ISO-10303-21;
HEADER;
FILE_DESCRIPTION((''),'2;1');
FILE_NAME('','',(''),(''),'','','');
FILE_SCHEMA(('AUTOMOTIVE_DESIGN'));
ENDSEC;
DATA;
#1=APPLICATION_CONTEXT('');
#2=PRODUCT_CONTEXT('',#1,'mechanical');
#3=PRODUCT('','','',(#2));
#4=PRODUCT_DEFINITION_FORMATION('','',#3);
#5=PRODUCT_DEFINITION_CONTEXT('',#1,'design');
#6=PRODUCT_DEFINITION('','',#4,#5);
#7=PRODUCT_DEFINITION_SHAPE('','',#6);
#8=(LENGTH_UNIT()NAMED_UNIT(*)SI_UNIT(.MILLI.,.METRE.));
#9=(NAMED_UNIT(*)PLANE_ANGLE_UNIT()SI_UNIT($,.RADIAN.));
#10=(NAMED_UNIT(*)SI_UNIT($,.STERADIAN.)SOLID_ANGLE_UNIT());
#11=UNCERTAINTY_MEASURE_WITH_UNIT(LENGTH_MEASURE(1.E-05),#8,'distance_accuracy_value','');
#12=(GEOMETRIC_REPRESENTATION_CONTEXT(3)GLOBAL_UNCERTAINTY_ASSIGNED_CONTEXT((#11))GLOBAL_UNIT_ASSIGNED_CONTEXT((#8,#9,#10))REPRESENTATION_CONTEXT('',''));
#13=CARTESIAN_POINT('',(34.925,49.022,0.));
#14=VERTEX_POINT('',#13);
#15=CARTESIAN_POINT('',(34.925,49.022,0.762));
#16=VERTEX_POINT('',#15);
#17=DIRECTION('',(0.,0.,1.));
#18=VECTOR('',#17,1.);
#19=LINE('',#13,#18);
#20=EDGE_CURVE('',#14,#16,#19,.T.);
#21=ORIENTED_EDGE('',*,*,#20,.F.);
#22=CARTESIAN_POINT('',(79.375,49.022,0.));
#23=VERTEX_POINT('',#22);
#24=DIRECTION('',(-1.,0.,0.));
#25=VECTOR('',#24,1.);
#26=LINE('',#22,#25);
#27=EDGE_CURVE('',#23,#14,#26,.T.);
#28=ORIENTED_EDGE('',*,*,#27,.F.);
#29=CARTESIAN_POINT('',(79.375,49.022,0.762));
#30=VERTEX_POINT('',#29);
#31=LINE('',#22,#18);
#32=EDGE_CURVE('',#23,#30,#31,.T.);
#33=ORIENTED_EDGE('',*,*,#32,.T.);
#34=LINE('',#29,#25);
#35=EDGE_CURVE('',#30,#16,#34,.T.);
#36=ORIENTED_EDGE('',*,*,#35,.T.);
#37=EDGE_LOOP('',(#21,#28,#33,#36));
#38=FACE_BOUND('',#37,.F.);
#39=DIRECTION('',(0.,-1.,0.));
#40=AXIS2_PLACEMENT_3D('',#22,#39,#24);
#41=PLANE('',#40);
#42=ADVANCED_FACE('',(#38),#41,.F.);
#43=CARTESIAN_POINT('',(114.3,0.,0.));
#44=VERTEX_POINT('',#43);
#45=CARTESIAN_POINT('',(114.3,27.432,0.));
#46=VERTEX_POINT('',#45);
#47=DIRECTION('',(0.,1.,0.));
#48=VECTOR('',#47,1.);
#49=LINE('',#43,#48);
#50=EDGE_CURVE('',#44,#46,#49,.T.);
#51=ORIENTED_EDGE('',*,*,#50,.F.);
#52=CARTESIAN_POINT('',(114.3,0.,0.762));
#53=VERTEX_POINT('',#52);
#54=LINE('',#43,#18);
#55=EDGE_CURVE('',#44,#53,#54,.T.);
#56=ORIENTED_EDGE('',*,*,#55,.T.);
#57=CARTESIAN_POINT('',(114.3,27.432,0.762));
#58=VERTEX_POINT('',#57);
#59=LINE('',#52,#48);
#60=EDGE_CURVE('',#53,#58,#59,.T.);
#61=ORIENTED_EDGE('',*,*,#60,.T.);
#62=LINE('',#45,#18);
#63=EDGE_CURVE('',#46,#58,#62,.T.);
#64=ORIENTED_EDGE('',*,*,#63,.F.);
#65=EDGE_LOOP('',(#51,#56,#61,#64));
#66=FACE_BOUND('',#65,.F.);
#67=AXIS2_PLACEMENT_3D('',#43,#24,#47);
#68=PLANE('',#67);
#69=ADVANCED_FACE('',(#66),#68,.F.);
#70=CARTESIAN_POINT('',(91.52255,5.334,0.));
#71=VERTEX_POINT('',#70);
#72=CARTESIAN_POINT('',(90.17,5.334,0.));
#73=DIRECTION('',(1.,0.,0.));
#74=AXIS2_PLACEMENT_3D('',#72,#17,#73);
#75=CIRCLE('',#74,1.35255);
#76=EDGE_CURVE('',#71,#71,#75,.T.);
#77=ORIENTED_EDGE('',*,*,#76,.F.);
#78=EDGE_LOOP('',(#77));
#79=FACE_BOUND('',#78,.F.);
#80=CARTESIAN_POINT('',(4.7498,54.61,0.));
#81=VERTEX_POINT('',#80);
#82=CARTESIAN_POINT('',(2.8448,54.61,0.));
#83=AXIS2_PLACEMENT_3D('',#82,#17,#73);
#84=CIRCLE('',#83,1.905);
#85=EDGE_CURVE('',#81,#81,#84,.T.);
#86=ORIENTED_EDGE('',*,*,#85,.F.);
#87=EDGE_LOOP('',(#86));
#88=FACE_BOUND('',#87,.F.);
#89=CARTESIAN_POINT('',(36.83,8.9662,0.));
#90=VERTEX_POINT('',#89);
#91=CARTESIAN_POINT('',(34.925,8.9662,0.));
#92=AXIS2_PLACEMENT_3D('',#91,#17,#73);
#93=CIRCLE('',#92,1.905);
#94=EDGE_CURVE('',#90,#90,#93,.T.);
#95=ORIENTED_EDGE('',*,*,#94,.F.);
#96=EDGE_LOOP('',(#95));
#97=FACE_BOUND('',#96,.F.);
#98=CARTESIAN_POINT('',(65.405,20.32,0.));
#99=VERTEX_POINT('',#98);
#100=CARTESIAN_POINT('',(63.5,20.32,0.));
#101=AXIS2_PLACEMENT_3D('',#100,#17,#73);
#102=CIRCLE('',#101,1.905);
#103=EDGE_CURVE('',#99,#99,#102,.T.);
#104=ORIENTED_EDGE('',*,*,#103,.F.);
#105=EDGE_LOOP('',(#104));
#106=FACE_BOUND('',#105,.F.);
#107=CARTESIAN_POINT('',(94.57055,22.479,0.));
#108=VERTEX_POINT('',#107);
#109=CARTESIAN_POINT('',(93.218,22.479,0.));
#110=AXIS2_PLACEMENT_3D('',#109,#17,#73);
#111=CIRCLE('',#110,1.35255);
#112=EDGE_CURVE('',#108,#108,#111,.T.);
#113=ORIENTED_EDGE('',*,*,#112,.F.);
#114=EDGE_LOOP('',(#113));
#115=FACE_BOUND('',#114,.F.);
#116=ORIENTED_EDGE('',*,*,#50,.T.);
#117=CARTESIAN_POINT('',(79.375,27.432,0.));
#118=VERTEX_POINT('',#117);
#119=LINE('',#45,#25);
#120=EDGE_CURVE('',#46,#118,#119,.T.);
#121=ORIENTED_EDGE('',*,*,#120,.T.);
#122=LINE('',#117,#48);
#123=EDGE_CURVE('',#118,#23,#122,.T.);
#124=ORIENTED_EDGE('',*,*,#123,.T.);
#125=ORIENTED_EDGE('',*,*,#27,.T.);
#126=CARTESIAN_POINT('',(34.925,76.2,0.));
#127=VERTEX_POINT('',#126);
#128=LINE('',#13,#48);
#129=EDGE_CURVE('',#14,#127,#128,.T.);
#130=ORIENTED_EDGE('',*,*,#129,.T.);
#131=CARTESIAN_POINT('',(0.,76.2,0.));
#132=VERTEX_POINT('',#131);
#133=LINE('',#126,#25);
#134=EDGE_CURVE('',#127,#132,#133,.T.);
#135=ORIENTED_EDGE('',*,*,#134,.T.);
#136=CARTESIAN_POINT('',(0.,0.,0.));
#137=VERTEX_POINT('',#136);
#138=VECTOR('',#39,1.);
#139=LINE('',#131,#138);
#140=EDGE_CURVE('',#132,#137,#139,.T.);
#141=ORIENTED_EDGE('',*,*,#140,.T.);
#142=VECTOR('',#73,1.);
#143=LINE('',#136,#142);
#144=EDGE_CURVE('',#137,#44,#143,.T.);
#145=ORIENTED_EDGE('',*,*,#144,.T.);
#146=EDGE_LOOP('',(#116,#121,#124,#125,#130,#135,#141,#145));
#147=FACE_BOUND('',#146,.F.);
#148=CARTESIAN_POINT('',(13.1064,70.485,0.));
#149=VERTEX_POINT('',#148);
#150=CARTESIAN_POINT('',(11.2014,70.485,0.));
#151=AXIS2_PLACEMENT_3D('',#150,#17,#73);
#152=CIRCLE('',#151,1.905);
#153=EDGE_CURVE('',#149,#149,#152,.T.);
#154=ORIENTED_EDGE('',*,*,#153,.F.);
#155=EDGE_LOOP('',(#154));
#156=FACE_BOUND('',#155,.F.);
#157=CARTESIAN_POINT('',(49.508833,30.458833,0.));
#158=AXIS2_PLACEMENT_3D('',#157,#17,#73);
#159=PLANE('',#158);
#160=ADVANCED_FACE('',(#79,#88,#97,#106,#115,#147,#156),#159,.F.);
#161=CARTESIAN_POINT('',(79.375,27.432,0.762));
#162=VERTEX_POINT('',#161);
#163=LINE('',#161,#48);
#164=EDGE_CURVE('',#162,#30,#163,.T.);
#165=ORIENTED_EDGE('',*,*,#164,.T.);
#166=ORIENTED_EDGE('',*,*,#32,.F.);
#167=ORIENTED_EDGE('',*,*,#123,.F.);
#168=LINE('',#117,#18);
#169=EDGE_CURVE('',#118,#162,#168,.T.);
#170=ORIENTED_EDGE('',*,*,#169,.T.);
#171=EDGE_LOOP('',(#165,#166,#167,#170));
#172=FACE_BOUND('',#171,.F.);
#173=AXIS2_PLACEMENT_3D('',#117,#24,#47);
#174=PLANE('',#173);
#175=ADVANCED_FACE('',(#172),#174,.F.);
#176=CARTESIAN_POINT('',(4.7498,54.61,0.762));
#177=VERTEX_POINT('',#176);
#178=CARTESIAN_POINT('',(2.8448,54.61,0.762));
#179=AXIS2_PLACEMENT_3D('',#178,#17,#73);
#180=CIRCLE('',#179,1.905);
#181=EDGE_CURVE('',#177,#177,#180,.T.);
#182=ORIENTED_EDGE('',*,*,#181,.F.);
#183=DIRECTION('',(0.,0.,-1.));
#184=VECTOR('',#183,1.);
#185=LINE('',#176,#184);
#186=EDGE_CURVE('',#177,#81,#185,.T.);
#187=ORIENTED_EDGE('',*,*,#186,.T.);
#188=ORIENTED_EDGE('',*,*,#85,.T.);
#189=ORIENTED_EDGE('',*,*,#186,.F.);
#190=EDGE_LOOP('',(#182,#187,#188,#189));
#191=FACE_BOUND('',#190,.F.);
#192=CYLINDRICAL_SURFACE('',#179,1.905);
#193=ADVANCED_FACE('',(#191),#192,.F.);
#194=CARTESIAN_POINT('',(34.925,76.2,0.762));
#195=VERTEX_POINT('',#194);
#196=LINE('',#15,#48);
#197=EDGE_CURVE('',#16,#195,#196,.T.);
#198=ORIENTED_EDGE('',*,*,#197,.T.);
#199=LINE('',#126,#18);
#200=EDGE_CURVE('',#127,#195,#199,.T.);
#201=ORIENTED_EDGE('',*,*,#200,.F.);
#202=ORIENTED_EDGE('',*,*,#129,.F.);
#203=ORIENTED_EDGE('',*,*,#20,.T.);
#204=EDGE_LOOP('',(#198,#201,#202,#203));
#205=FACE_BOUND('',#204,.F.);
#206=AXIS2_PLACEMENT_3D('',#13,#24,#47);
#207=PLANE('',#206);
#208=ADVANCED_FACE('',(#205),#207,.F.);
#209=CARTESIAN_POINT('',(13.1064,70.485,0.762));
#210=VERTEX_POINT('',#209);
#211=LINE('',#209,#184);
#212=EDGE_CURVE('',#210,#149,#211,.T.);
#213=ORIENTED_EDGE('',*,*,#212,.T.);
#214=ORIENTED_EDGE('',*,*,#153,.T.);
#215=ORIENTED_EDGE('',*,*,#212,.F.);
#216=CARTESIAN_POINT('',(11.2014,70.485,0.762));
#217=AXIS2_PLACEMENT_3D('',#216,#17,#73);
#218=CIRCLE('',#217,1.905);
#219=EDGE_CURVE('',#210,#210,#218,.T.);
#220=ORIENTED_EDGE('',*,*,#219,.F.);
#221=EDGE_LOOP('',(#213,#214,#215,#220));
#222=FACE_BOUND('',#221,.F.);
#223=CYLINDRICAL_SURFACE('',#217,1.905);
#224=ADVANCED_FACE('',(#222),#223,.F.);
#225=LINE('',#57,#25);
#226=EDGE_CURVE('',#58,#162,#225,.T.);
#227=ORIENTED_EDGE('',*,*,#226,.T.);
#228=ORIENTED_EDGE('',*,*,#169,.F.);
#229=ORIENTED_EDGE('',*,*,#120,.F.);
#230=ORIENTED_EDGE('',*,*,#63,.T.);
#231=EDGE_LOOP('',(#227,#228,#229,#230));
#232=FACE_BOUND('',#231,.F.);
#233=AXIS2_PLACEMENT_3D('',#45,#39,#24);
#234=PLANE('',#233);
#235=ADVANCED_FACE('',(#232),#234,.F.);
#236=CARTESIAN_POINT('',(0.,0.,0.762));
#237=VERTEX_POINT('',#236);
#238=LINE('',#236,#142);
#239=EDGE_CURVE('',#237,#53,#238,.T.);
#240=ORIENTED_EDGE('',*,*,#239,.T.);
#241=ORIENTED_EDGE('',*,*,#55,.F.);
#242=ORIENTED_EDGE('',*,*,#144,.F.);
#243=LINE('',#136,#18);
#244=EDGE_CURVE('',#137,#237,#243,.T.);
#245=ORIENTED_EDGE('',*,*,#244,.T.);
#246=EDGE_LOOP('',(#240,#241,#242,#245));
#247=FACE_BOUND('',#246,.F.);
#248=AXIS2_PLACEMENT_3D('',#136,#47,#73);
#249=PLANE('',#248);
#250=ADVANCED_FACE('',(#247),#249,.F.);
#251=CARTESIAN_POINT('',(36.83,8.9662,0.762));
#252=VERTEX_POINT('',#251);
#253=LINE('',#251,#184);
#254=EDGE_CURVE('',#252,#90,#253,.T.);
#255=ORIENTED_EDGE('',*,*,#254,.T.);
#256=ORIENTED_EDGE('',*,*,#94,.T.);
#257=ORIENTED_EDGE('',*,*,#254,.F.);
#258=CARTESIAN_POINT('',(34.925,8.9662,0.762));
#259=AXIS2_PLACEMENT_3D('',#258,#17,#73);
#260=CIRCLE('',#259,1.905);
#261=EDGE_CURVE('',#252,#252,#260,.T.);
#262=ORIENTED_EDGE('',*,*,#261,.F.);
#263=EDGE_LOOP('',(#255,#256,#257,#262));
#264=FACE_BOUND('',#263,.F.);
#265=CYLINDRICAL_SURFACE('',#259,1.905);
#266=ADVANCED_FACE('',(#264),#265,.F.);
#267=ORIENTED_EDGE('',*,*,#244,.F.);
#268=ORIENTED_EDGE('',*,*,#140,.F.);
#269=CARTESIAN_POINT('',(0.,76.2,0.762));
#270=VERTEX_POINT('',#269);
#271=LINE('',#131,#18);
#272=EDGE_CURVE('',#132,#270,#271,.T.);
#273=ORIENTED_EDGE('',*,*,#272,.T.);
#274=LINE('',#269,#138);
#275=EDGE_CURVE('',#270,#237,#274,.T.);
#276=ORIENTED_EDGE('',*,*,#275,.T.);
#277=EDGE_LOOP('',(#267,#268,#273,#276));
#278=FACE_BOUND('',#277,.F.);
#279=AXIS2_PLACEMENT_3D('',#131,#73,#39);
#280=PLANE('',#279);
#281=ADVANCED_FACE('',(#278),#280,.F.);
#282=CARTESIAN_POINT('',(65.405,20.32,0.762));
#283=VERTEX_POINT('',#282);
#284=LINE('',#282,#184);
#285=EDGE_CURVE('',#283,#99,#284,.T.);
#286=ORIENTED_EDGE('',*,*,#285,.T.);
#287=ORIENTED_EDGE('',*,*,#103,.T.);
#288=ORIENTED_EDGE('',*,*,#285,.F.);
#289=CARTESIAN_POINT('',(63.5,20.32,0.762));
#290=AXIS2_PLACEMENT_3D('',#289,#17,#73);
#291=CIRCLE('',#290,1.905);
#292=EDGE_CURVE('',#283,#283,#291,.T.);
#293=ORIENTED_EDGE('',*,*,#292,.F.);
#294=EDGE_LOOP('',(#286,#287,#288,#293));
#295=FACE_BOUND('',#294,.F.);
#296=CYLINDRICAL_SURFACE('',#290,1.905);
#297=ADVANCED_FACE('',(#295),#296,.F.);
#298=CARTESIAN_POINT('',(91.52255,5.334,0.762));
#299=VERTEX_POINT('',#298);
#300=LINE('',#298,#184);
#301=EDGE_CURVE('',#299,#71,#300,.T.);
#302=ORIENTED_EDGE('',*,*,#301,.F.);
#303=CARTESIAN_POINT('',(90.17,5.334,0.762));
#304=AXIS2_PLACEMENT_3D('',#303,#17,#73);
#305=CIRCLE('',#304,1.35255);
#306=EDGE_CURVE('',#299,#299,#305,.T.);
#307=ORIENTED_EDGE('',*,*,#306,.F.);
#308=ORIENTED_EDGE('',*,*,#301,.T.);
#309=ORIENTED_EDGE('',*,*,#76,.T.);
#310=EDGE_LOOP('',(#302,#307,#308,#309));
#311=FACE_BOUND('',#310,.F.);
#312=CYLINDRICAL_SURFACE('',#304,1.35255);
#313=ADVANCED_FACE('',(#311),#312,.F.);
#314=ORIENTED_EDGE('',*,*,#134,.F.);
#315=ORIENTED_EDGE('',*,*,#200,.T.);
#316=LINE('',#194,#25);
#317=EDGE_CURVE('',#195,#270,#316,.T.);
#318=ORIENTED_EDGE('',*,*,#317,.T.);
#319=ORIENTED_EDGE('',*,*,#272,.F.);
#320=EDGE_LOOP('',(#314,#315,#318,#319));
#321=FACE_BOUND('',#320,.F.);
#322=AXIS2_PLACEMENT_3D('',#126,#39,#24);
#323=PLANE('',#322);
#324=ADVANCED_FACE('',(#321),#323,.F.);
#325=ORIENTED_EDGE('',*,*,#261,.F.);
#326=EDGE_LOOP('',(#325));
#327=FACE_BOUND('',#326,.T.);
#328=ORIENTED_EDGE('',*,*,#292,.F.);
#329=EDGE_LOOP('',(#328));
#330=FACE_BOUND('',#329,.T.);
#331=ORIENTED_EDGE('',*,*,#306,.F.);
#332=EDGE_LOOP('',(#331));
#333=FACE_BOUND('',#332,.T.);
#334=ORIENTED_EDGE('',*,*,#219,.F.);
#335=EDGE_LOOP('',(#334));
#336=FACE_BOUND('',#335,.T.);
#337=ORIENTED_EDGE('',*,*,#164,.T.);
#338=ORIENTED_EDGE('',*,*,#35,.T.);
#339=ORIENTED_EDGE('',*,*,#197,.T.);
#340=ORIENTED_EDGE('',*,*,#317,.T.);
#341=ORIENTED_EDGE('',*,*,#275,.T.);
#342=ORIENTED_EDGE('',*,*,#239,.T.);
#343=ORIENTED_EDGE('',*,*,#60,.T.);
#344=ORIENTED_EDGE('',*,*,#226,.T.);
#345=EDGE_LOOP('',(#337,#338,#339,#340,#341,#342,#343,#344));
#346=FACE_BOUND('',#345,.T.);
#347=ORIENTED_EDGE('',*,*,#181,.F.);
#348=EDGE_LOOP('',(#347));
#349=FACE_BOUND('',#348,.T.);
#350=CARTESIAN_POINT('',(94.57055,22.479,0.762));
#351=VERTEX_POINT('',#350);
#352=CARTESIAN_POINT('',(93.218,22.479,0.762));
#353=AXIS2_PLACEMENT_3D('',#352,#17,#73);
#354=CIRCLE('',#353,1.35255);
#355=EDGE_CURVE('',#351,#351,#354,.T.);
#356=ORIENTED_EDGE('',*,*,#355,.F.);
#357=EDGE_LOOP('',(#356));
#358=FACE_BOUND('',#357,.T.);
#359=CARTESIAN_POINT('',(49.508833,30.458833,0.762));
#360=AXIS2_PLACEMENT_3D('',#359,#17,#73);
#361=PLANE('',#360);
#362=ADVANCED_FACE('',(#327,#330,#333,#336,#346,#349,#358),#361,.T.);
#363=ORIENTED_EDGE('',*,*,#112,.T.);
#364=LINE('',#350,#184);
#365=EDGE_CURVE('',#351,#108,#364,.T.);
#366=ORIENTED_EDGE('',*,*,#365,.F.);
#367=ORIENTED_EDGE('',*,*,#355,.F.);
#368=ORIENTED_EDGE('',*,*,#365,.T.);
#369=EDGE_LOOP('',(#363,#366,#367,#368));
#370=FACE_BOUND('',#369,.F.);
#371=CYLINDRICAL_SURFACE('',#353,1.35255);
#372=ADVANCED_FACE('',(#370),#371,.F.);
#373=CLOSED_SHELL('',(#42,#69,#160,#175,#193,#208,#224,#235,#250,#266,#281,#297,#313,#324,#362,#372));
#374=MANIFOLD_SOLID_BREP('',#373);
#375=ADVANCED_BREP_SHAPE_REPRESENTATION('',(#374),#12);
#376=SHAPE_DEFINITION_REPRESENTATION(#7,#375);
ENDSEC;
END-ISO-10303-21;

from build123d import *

# Parameters (mm, degrees)
F1_DEPTH = 0.762
F2_R     = 1.905
F3_DEPTH = 0.763
F4_R     = 1.35255
F5_DEPTH = 0.763


with BuildPart() as f1:
    # F0 (on Top) → F1 (new body)
    with BuildSketch(Plane.XY):
        Polygon((0, 76.2), (0, 0), (114.3, 0), (114.3, 27.432), (79.375, 27.432), (79.375, 49.022), (34.925, 49.022), (34.925, 76.2), align=None)
    extrude(amount=F1_DEPTH)

    # F2 (on face) → F3 (cut, through all)
    with BuildSketch(Plane.XY.offset(0.762)):
        with Locations((11.2014, 70.485)):
            Circle(F2_R)
        with Locations((2.8448, 54.61)):
            Circle(F2_R)
        with Locations((34.925, 8.9662)):
            Circle(F2_R)
        with Locations((63.5, 20.32)):
            Circle(F2_R)
    extrude(amount=-F3_DEPTH, mode=Mode.SUBTRACT)

    # F4 (on face) → F5 (cut, through all)
    with BuildSketch(Plane.XY.offset(0.762)):
        with Locations((93.218, 22.479)):
            Circle(F4_R)
        with Locations((90.17, 5.334)):
            Circle(F4_R)
    extrude(amount=-F5_DEPTH, mode=Mode.SUBTRACT)


solid = f1.part
